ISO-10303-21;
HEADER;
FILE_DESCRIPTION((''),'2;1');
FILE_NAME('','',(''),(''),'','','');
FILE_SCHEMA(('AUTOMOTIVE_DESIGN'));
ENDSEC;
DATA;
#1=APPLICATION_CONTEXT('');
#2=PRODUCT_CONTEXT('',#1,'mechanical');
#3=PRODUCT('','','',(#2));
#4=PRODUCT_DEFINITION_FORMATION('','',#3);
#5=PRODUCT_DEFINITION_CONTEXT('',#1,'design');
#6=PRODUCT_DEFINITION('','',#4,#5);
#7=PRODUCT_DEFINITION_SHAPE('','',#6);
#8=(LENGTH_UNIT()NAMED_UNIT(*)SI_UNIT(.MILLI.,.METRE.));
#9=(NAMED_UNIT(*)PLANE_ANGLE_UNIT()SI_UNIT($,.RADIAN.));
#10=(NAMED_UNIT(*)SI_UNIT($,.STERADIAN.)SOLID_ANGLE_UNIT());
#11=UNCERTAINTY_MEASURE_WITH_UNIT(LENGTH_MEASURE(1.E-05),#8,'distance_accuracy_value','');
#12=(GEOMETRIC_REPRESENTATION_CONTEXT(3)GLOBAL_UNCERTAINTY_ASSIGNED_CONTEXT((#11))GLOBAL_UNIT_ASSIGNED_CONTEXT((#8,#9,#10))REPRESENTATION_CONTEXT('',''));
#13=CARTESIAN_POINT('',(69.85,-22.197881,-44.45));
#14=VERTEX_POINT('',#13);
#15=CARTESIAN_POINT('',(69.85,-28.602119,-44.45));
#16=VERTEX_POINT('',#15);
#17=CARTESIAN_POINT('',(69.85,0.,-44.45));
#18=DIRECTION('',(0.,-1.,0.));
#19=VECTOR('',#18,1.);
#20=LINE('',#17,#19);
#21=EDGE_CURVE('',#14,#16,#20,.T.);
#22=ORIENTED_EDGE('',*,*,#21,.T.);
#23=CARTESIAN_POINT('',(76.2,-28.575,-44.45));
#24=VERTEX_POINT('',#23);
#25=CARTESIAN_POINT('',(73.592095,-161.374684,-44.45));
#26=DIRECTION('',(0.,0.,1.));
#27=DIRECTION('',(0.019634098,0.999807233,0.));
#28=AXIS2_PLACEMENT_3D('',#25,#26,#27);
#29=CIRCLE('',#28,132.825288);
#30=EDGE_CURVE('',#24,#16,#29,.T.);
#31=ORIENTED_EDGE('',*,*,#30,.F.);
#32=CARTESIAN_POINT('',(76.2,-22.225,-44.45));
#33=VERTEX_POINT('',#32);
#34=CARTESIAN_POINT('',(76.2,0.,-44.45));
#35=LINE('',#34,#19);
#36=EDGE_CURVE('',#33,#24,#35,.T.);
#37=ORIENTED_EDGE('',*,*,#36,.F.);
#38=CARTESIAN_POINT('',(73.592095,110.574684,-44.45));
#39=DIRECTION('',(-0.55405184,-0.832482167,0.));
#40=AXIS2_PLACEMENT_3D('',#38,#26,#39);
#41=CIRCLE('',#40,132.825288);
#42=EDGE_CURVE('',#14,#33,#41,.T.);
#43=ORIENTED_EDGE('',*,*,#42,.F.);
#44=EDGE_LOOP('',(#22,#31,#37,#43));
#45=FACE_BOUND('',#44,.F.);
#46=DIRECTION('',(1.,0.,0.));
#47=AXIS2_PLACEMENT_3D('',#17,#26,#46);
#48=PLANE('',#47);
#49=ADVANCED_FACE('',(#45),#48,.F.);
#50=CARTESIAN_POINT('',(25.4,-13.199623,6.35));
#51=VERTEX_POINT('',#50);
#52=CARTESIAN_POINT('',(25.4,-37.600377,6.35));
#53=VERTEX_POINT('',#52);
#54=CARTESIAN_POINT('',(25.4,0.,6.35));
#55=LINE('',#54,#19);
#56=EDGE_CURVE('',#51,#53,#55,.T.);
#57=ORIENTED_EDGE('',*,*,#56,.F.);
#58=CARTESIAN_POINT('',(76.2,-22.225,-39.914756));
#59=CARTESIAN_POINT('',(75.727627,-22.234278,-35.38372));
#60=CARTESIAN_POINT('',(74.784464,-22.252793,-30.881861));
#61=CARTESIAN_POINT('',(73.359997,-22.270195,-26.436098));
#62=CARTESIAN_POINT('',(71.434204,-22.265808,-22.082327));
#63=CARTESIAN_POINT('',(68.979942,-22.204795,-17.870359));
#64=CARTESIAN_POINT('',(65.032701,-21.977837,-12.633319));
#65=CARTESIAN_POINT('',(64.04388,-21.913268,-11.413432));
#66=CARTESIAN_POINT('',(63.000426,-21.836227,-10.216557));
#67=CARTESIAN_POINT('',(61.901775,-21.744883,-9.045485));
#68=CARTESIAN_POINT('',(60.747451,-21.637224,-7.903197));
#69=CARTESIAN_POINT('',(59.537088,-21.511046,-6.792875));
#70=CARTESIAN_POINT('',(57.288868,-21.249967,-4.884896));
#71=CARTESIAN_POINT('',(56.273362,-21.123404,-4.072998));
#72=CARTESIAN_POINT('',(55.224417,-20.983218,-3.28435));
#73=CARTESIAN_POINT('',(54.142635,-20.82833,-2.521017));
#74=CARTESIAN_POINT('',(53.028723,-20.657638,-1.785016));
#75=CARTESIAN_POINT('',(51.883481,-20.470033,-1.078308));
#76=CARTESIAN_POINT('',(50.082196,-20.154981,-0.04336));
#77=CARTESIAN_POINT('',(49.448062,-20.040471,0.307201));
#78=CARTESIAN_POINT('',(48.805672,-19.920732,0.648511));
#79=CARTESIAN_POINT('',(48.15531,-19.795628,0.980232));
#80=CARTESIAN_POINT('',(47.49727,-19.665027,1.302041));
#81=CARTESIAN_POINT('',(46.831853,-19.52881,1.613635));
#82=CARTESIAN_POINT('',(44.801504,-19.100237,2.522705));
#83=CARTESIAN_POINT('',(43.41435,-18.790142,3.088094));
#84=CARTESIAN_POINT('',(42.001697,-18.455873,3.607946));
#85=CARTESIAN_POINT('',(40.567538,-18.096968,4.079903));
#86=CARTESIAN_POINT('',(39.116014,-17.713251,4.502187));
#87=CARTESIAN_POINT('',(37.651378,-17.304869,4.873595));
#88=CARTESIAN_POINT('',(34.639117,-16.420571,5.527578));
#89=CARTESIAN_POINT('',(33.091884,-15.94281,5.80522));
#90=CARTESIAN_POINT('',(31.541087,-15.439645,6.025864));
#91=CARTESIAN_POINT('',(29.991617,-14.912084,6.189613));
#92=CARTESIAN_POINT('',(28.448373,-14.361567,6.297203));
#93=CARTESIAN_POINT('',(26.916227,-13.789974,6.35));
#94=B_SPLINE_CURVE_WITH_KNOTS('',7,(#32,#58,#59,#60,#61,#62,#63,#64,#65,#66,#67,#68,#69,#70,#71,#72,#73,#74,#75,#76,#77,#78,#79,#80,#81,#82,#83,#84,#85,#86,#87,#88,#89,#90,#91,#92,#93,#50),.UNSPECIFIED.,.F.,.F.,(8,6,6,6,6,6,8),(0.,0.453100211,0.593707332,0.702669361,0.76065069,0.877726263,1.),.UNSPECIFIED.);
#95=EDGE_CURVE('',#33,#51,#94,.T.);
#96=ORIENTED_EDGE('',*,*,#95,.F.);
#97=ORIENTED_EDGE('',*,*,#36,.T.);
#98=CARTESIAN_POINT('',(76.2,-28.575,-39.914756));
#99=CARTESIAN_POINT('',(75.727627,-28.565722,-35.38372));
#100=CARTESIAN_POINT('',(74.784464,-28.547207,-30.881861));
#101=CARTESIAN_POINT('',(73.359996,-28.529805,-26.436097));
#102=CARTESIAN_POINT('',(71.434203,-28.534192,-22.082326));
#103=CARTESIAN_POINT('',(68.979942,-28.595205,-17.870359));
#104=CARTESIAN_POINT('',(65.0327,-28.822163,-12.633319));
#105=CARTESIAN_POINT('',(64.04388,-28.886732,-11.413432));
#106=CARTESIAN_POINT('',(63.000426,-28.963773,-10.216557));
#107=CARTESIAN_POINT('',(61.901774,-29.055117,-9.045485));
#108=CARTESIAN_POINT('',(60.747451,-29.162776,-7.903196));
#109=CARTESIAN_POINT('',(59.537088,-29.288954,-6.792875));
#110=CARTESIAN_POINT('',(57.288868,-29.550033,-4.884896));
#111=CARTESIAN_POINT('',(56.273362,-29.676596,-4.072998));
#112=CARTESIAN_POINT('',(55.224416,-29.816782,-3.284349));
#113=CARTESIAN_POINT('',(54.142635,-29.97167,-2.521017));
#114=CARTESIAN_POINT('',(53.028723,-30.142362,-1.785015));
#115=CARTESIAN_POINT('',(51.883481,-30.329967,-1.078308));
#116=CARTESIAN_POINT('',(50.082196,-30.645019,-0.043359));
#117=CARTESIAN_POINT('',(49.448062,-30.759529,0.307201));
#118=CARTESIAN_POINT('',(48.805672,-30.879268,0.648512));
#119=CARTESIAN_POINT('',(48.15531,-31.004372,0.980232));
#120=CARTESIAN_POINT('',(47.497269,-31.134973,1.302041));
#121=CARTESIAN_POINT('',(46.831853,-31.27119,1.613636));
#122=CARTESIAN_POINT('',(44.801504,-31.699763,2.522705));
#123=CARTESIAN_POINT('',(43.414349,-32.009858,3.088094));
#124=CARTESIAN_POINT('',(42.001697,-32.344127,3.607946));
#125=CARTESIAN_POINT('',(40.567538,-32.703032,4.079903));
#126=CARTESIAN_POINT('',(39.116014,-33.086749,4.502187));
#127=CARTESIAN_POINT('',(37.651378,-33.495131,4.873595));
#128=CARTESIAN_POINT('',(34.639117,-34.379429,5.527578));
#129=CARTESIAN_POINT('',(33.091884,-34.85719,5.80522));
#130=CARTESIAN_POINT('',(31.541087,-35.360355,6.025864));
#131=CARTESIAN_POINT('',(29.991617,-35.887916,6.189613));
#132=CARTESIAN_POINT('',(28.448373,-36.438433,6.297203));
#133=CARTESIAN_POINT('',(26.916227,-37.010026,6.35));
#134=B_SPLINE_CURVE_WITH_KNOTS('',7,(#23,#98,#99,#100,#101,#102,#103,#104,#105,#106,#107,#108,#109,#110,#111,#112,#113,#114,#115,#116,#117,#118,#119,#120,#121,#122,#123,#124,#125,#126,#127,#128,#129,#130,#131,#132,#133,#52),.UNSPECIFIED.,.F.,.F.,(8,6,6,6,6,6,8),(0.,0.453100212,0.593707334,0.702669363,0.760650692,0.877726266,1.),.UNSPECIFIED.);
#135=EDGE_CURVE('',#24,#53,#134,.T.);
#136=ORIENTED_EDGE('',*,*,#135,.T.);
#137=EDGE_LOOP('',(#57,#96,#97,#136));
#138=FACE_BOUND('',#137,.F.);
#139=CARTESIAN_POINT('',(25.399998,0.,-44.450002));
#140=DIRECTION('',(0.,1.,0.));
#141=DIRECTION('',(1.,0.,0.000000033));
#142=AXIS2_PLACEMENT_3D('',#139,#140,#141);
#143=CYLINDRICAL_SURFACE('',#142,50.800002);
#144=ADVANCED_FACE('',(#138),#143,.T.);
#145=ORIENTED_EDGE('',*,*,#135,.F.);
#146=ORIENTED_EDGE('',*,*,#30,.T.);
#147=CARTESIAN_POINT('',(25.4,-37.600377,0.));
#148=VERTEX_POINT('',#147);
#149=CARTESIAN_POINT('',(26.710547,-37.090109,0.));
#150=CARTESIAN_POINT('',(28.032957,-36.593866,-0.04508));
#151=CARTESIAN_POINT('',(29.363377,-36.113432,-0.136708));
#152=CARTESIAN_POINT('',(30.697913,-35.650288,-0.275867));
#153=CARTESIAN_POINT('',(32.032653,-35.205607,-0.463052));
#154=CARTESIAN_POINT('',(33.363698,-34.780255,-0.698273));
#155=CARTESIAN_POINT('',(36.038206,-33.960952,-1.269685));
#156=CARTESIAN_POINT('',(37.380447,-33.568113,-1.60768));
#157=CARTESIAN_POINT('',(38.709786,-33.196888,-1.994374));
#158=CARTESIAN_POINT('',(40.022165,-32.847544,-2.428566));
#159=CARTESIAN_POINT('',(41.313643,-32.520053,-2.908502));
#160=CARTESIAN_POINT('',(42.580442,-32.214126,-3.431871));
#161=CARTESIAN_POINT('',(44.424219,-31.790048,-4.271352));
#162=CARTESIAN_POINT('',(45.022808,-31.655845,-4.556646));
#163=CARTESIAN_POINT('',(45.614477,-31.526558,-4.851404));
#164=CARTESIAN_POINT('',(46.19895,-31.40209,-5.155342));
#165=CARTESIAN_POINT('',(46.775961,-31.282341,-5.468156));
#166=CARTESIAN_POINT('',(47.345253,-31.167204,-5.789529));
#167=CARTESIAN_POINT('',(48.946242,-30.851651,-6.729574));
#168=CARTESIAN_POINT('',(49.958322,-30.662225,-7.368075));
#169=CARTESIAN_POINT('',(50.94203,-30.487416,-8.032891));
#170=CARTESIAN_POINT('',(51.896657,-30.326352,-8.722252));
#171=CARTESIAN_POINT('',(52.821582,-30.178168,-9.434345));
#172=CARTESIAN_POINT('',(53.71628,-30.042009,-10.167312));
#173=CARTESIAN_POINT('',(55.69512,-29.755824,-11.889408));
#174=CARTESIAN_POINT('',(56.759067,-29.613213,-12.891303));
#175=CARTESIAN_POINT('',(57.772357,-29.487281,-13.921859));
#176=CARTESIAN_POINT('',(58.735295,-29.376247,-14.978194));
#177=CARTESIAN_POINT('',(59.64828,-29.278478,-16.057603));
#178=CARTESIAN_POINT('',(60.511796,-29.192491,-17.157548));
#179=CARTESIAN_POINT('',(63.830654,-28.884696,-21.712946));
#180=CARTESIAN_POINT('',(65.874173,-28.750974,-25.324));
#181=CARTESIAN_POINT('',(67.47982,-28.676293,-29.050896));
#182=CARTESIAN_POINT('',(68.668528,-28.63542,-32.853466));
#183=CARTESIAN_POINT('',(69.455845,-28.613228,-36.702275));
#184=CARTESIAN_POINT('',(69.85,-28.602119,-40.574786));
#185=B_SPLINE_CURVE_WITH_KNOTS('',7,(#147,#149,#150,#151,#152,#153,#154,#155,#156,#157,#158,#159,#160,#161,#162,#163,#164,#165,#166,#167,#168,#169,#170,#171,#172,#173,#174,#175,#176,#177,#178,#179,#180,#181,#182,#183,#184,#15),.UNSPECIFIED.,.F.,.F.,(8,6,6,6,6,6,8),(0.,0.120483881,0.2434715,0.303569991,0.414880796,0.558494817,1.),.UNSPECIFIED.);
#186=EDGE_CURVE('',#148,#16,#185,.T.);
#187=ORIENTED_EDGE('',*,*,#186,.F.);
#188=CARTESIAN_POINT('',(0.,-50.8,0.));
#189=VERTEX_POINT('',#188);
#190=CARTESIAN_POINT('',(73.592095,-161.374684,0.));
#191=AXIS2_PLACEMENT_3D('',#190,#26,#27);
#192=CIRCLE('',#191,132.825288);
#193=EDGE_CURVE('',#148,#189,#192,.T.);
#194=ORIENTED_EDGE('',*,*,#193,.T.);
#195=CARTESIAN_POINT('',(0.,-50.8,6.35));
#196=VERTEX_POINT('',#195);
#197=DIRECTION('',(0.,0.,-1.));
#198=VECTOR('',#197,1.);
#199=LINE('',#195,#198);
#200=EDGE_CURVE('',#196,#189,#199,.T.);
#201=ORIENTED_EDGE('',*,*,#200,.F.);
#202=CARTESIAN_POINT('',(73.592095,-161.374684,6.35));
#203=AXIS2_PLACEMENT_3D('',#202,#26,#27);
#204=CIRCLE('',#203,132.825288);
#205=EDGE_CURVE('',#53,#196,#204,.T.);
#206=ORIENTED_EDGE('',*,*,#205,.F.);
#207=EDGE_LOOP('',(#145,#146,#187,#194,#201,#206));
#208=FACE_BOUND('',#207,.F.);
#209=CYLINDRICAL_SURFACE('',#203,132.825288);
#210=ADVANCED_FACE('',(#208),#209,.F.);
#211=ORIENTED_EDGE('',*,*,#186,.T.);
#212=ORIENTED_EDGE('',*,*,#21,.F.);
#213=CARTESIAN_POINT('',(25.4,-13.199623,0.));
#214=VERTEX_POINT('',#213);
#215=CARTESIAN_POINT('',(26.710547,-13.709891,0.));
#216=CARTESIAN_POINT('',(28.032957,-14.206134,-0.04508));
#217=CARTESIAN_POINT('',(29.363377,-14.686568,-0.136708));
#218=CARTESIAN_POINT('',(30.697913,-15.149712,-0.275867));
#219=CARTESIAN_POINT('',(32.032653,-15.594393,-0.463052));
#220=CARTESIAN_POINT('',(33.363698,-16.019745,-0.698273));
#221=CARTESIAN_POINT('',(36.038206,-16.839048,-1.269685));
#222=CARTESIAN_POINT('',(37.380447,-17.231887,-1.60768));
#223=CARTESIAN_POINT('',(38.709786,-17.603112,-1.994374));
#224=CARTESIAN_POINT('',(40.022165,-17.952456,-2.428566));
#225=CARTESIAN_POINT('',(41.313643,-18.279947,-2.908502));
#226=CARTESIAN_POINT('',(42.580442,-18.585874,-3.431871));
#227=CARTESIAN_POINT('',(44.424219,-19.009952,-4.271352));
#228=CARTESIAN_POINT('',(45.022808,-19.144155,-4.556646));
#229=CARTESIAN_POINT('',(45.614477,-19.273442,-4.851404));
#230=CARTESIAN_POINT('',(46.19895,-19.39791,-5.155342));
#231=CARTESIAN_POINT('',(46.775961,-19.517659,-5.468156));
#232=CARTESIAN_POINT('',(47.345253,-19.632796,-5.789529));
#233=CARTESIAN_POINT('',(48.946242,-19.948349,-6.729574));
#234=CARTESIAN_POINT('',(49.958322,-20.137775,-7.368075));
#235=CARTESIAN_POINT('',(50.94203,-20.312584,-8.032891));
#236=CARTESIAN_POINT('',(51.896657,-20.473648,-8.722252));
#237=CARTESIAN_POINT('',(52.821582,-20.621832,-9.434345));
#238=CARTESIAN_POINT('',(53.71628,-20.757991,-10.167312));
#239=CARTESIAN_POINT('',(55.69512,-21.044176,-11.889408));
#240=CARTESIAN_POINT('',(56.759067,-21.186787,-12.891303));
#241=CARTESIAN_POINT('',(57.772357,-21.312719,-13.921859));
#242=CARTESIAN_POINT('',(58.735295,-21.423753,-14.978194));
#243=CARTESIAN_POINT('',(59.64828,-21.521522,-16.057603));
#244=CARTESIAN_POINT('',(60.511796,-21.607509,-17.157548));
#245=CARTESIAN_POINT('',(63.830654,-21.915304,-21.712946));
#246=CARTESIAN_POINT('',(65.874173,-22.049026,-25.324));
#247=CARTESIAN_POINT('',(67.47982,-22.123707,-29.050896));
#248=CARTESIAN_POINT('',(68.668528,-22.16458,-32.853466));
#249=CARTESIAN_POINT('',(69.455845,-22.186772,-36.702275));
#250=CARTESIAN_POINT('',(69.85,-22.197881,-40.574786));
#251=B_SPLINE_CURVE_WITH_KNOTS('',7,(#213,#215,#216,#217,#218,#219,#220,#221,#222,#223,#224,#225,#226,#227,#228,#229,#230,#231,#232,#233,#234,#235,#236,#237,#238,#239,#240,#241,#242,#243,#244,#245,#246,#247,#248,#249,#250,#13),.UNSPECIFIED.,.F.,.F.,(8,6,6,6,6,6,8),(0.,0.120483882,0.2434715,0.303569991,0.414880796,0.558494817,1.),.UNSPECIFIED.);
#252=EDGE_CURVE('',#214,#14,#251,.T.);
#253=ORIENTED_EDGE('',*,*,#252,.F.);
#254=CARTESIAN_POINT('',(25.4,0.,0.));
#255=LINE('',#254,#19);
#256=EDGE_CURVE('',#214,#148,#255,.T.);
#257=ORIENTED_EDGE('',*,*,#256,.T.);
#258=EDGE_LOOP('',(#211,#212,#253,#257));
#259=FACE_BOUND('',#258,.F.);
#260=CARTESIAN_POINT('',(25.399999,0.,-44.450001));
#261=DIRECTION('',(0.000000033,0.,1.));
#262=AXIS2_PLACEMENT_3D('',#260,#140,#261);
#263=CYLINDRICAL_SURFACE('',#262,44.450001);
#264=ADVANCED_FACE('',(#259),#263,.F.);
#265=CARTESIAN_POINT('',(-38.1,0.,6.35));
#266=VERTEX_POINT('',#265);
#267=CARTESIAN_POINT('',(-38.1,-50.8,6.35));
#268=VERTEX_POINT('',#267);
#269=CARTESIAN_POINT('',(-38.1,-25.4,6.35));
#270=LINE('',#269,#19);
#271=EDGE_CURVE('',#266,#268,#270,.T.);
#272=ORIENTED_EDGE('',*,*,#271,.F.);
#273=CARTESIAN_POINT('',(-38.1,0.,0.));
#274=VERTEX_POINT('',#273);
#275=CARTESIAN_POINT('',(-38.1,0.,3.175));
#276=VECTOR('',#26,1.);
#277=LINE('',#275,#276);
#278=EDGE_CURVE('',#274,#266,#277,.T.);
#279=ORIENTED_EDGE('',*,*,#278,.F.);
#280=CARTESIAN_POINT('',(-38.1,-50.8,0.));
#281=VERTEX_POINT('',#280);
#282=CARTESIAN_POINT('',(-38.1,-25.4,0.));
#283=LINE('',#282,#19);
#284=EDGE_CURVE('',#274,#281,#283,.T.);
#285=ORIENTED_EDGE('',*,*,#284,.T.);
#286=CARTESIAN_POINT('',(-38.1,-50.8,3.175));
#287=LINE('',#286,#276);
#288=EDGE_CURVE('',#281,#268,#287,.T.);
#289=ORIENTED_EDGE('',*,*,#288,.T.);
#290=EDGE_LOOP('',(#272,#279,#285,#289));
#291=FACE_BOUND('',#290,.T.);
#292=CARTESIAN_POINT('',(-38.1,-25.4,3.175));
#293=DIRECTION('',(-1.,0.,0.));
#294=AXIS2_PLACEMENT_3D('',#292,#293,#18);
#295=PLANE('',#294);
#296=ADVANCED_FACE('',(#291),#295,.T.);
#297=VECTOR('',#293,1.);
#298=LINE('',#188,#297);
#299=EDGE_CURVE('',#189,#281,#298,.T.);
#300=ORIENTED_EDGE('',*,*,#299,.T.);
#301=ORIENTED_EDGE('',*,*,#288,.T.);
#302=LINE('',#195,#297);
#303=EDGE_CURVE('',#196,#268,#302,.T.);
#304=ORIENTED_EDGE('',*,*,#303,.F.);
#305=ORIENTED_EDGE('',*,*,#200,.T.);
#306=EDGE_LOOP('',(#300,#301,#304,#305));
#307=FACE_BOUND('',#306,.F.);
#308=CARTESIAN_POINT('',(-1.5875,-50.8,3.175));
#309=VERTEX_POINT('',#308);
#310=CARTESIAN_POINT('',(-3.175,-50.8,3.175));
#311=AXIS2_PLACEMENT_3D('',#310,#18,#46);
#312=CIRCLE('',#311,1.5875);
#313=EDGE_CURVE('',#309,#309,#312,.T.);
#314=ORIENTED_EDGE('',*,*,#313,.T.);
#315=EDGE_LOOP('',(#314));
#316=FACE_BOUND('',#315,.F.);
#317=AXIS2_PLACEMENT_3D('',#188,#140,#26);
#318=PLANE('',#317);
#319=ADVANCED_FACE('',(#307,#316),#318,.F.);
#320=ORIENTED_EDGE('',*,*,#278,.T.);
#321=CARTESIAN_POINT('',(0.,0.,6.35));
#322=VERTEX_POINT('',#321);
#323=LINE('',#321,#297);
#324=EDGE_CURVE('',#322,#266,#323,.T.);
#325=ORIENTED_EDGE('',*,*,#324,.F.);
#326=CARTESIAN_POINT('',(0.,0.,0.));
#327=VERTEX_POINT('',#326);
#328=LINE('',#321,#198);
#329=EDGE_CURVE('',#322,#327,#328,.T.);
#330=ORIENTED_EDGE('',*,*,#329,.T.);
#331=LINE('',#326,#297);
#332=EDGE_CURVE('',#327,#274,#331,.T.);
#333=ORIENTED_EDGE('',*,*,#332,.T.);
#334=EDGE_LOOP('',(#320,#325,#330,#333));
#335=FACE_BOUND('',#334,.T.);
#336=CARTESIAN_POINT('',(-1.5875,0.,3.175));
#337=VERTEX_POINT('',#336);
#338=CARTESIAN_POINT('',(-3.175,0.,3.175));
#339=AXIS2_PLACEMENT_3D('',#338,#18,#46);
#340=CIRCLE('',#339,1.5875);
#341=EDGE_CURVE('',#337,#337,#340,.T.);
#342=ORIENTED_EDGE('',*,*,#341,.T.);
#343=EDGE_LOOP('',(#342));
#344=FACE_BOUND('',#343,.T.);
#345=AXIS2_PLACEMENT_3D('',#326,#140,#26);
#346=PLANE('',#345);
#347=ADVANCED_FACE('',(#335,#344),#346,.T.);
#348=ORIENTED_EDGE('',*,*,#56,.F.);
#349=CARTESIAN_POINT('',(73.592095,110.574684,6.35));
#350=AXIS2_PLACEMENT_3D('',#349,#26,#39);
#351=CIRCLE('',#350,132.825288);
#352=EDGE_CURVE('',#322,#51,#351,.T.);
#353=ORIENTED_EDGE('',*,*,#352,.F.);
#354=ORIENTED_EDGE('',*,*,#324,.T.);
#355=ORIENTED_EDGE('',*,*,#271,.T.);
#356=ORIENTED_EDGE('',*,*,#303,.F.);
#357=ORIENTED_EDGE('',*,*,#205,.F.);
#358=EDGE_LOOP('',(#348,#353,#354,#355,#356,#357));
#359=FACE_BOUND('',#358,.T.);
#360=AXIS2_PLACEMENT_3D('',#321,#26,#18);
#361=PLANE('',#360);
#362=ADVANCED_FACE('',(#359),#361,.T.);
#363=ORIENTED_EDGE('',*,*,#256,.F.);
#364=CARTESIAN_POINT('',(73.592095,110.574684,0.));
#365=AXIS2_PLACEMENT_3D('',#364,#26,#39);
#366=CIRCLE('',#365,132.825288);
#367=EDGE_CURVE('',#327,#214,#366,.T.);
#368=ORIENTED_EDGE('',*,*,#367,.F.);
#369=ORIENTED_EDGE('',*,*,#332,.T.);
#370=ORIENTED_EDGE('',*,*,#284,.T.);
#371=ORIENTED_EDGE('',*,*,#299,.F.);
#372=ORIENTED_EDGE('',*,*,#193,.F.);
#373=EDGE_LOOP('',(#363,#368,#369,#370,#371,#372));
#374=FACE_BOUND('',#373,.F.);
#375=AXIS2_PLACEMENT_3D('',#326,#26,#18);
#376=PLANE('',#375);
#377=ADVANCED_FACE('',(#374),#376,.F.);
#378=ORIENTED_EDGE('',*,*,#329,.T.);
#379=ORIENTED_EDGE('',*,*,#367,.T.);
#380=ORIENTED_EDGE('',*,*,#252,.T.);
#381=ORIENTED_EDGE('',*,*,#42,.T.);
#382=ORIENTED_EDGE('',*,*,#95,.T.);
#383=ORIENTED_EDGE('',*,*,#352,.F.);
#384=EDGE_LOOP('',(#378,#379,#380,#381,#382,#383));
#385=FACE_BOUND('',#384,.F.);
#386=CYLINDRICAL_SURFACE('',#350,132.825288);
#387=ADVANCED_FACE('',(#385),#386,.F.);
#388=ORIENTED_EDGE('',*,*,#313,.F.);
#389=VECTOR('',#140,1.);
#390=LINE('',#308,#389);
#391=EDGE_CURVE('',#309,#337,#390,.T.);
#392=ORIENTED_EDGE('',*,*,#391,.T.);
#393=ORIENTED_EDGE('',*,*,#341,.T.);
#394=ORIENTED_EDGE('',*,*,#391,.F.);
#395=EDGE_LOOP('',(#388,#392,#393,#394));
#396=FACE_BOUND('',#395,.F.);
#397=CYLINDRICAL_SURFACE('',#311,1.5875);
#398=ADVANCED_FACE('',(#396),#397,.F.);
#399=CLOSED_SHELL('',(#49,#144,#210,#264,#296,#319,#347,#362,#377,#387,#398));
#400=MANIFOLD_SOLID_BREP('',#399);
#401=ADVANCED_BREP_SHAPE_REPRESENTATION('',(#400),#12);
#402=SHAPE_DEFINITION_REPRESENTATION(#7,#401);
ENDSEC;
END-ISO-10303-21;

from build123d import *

# Parameters (mm, degrees)
F1_DEPTH = 50.8
F3_DEPTH = 50.801
F4_W     = 50.8
F4_H     = 6.35
F5_DEPTH = 38.1
F6_R     = 1.5875
F7_DEPTH = 50.801


with BuildPart() as f1:
    # F0 (on Front) → F1 (new body)
    with BuildSketch(Plane.XZ):
        with BuildLine():
            Line((0, 6.35), (0, 0))
            Line((0, 0), (25.4, 0))
            ThreePointArc((25.4, 0), (56.830896, -13.019104), (69.85, -44.45))
            Line((69.85, -44.45), (76.2, -44.45))
            ThreePointArc((76.2, -44.45), (61.321024, -8.528976), (25.4, 6.35))
            Line((25.4, 6.35), (0, 6.35))
        make_face()
    extrude(amount=F1_DEPTH)

    # F2 (on face) → F3 (cut, through all)
    with BuildSketch(Plane.XY.offset(6.35)):
        with BuildLine():
            ThreePointArc((76.2, -28.575), (36.401015, -33.862407), (0, -50.8))
            Line((0, -50.8), (76.2, -50.8))
            Line((76.2, -50.8), (76.2, -28.575))
        make_face()
        with BuildLine():
            Line((76.2, 0), (0, 0))
            ThreePointArc((0, 0), (36.401015, -16.937593), (76.2, -22.225))
            Line((76.2, -22.225), (76.2, 0))
        make_face()
    extrude(amount=-F3_DEPTH, mode=Mode.SUBTRACT)

    # F4 (on face) → F5 (join)
    with BuildSketch(Plane(origin=(0, 0, 0), x_dir=(0, -1, 0), z_dir=(-1, 0, 0))):
        with Locations((25.4, 3.175)):
            Rectangle(F4_W, F4_H)
    extrude(amount=F5_DEPTH)

    # F6 (on face) → F7 (cut, through all)
    with BuildSketch(Plane.XZ.offset(50.8)):
        with Locations((-3.175, 3.175)):
            Circle(F6_R)
    extrude(amount=-F7_DEPTH, mode=Mode.SUBTRACT)


solid = f1.part
